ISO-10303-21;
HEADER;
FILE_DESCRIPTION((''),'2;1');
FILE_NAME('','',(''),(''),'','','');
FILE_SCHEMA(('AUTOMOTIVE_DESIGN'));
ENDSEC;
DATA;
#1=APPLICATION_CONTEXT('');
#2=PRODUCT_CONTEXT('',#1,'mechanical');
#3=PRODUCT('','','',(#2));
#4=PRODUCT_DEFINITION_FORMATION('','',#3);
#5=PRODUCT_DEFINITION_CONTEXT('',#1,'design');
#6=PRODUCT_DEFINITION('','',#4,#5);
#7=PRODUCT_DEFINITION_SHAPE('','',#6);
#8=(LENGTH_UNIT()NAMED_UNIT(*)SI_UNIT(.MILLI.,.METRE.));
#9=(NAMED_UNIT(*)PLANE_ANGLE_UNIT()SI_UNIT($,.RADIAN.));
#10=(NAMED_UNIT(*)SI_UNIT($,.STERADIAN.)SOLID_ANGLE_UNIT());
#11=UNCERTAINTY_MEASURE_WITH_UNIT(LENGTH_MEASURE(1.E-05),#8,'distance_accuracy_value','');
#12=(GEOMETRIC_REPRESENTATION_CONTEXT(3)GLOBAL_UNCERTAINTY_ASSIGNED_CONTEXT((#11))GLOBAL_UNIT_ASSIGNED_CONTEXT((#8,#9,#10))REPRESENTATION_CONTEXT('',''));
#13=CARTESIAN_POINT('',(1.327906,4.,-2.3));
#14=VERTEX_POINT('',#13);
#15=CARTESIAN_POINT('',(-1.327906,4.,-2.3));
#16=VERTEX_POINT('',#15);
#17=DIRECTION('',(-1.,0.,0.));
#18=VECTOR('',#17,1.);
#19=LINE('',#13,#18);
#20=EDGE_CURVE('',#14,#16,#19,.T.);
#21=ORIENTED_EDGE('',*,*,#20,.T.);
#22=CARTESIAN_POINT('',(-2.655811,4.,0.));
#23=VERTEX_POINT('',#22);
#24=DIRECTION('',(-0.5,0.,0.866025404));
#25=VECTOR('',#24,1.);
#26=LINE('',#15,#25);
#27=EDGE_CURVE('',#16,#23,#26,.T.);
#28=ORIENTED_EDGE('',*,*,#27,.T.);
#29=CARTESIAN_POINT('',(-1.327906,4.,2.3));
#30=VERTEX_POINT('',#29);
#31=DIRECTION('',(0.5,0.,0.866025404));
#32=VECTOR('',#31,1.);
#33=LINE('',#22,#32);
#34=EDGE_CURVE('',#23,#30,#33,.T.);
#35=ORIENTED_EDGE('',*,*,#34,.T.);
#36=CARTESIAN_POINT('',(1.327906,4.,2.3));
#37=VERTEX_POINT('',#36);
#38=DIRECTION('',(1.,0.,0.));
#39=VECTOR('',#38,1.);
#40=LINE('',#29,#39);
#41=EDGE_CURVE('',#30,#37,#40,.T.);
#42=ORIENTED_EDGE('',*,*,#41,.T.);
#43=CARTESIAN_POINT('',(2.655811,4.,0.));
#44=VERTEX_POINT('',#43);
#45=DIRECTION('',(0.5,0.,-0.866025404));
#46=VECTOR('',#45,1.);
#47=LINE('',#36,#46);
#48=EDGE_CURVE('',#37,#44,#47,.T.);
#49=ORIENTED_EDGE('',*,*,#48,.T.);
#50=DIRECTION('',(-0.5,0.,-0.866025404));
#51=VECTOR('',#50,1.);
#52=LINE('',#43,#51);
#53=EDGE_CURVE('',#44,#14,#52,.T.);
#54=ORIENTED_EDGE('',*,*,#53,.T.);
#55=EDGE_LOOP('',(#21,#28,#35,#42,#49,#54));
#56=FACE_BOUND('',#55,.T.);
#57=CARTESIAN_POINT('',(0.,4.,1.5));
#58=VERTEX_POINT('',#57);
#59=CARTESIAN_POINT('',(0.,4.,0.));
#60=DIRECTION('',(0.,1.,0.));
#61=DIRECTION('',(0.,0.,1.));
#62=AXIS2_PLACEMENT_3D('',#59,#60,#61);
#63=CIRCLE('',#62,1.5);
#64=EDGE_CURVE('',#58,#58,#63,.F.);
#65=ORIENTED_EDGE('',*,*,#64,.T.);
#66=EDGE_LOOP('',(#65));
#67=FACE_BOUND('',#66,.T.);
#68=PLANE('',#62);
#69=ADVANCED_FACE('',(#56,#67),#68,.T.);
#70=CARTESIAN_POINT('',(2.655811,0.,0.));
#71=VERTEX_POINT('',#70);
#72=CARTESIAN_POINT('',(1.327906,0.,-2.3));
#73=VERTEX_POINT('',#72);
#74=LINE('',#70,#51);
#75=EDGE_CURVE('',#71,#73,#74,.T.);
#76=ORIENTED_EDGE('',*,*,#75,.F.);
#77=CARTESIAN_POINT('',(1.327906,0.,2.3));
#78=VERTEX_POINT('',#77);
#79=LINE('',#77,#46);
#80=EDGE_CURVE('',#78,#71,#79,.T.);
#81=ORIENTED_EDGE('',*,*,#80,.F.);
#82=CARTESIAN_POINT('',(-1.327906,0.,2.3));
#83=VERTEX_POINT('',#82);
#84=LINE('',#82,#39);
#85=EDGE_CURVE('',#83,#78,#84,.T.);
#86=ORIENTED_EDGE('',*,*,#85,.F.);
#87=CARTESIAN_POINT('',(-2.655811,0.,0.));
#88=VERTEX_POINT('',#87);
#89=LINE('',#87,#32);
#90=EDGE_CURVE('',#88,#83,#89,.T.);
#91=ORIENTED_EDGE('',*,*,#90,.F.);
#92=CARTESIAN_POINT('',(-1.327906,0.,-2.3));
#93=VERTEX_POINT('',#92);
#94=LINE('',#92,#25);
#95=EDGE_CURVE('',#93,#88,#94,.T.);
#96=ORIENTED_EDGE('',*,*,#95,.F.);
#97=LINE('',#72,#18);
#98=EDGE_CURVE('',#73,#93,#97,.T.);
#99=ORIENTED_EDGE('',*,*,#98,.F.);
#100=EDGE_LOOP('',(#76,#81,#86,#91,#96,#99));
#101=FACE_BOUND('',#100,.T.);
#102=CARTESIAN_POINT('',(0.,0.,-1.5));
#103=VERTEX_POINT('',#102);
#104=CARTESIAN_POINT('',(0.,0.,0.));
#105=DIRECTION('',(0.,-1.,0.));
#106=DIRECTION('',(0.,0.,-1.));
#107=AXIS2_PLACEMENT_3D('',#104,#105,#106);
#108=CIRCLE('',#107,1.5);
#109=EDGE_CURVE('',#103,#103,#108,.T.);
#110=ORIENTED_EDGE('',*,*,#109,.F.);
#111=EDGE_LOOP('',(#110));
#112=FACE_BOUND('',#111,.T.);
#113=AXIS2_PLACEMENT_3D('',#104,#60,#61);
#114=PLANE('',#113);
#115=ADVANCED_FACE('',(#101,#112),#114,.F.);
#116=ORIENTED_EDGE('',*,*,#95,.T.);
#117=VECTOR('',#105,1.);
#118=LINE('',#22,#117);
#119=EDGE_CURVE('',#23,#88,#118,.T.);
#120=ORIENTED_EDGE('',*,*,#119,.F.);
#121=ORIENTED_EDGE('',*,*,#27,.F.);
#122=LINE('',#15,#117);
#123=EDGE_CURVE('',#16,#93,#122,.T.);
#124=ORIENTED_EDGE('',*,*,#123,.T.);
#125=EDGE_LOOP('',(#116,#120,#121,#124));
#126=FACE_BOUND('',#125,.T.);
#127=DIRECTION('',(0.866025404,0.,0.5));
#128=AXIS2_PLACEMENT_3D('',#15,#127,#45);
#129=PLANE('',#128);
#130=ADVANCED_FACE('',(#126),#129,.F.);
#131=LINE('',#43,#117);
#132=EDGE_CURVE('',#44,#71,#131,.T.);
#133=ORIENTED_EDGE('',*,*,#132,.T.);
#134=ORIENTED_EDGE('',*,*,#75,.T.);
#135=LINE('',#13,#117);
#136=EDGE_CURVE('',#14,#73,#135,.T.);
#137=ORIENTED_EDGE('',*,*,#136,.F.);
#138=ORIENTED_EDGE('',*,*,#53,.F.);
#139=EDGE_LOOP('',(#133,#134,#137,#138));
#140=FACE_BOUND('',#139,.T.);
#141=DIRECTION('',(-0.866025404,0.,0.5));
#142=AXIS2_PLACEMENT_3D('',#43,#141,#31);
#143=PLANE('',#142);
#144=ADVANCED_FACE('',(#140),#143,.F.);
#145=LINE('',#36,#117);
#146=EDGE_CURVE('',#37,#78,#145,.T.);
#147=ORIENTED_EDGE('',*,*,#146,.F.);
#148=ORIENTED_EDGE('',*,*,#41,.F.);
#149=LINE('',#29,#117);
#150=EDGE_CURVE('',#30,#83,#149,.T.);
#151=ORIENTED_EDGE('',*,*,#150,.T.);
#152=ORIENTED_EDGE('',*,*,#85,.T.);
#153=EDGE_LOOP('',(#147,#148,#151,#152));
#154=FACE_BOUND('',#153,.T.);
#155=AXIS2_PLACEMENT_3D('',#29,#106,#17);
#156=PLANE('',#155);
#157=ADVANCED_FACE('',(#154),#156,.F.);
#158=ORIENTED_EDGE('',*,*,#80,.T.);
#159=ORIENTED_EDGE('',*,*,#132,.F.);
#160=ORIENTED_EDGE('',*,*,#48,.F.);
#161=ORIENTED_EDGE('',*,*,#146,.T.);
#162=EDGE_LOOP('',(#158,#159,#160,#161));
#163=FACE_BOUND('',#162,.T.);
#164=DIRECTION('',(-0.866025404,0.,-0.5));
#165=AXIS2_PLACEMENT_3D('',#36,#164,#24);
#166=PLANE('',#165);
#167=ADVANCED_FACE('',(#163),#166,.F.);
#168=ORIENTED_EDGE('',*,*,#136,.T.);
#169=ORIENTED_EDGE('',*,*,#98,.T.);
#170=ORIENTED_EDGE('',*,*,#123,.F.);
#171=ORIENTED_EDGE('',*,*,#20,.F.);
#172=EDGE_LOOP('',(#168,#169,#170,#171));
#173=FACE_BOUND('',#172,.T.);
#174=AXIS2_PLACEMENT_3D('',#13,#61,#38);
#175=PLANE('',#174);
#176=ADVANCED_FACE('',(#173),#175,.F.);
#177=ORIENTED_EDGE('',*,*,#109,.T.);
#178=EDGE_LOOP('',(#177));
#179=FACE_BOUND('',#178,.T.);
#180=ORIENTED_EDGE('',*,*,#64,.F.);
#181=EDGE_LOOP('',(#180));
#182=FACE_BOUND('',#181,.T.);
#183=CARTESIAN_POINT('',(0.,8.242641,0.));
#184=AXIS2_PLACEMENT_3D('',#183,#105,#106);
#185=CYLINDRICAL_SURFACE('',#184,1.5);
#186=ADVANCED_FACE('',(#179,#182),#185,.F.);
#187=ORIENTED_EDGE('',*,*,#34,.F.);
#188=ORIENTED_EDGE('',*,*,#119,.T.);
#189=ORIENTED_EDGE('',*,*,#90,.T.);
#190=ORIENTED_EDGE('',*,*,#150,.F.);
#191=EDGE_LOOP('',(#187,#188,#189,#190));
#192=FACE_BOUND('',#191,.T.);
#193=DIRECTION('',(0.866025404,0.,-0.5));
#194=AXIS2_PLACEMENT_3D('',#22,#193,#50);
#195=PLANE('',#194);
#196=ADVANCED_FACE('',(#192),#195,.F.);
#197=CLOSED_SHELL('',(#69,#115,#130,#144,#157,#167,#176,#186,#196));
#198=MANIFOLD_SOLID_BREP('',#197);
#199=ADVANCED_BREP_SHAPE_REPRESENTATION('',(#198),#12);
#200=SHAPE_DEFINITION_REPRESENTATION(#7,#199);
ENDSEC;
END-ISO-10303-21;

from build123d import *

# Parameters (mm, degrees)
EXTRUDE_1_DEPTH     = 4
SKETCH_4_R          = 1.5
CUT_EXTRUDE_1_DEPTH = 4


with BuildPart() as part:
    # 草图1 → 凸台-拉伸1 (new body)
    with BuildSketch(Plane(origin=(0, 0, 0), x_dir=(1, 0, 0), z_dir=(0, 1, 0))):
        Polygon((-1.327905619, 2.3), (-2.655811238, 0), (-1.327905619, -2.3), (1.327905619, -2.3), (2.655811238, 0), (1.327905619, 2.3), align=None)
    extrude(amount=EXTRUDE_1_DEPTH)

    # 草图4 → 切除-拉伸1 (cut)
    with BuildSketch(Plane.XZ):
        with Locations(Location((0, 0, 0), (0, 0, 270))):
            Circle(SKETCH_4_R)
    extrude(amount=-CUT_EXTRUDE_1_DEPTH, mode=Mode.SUBTRACT)


solid = part.part
